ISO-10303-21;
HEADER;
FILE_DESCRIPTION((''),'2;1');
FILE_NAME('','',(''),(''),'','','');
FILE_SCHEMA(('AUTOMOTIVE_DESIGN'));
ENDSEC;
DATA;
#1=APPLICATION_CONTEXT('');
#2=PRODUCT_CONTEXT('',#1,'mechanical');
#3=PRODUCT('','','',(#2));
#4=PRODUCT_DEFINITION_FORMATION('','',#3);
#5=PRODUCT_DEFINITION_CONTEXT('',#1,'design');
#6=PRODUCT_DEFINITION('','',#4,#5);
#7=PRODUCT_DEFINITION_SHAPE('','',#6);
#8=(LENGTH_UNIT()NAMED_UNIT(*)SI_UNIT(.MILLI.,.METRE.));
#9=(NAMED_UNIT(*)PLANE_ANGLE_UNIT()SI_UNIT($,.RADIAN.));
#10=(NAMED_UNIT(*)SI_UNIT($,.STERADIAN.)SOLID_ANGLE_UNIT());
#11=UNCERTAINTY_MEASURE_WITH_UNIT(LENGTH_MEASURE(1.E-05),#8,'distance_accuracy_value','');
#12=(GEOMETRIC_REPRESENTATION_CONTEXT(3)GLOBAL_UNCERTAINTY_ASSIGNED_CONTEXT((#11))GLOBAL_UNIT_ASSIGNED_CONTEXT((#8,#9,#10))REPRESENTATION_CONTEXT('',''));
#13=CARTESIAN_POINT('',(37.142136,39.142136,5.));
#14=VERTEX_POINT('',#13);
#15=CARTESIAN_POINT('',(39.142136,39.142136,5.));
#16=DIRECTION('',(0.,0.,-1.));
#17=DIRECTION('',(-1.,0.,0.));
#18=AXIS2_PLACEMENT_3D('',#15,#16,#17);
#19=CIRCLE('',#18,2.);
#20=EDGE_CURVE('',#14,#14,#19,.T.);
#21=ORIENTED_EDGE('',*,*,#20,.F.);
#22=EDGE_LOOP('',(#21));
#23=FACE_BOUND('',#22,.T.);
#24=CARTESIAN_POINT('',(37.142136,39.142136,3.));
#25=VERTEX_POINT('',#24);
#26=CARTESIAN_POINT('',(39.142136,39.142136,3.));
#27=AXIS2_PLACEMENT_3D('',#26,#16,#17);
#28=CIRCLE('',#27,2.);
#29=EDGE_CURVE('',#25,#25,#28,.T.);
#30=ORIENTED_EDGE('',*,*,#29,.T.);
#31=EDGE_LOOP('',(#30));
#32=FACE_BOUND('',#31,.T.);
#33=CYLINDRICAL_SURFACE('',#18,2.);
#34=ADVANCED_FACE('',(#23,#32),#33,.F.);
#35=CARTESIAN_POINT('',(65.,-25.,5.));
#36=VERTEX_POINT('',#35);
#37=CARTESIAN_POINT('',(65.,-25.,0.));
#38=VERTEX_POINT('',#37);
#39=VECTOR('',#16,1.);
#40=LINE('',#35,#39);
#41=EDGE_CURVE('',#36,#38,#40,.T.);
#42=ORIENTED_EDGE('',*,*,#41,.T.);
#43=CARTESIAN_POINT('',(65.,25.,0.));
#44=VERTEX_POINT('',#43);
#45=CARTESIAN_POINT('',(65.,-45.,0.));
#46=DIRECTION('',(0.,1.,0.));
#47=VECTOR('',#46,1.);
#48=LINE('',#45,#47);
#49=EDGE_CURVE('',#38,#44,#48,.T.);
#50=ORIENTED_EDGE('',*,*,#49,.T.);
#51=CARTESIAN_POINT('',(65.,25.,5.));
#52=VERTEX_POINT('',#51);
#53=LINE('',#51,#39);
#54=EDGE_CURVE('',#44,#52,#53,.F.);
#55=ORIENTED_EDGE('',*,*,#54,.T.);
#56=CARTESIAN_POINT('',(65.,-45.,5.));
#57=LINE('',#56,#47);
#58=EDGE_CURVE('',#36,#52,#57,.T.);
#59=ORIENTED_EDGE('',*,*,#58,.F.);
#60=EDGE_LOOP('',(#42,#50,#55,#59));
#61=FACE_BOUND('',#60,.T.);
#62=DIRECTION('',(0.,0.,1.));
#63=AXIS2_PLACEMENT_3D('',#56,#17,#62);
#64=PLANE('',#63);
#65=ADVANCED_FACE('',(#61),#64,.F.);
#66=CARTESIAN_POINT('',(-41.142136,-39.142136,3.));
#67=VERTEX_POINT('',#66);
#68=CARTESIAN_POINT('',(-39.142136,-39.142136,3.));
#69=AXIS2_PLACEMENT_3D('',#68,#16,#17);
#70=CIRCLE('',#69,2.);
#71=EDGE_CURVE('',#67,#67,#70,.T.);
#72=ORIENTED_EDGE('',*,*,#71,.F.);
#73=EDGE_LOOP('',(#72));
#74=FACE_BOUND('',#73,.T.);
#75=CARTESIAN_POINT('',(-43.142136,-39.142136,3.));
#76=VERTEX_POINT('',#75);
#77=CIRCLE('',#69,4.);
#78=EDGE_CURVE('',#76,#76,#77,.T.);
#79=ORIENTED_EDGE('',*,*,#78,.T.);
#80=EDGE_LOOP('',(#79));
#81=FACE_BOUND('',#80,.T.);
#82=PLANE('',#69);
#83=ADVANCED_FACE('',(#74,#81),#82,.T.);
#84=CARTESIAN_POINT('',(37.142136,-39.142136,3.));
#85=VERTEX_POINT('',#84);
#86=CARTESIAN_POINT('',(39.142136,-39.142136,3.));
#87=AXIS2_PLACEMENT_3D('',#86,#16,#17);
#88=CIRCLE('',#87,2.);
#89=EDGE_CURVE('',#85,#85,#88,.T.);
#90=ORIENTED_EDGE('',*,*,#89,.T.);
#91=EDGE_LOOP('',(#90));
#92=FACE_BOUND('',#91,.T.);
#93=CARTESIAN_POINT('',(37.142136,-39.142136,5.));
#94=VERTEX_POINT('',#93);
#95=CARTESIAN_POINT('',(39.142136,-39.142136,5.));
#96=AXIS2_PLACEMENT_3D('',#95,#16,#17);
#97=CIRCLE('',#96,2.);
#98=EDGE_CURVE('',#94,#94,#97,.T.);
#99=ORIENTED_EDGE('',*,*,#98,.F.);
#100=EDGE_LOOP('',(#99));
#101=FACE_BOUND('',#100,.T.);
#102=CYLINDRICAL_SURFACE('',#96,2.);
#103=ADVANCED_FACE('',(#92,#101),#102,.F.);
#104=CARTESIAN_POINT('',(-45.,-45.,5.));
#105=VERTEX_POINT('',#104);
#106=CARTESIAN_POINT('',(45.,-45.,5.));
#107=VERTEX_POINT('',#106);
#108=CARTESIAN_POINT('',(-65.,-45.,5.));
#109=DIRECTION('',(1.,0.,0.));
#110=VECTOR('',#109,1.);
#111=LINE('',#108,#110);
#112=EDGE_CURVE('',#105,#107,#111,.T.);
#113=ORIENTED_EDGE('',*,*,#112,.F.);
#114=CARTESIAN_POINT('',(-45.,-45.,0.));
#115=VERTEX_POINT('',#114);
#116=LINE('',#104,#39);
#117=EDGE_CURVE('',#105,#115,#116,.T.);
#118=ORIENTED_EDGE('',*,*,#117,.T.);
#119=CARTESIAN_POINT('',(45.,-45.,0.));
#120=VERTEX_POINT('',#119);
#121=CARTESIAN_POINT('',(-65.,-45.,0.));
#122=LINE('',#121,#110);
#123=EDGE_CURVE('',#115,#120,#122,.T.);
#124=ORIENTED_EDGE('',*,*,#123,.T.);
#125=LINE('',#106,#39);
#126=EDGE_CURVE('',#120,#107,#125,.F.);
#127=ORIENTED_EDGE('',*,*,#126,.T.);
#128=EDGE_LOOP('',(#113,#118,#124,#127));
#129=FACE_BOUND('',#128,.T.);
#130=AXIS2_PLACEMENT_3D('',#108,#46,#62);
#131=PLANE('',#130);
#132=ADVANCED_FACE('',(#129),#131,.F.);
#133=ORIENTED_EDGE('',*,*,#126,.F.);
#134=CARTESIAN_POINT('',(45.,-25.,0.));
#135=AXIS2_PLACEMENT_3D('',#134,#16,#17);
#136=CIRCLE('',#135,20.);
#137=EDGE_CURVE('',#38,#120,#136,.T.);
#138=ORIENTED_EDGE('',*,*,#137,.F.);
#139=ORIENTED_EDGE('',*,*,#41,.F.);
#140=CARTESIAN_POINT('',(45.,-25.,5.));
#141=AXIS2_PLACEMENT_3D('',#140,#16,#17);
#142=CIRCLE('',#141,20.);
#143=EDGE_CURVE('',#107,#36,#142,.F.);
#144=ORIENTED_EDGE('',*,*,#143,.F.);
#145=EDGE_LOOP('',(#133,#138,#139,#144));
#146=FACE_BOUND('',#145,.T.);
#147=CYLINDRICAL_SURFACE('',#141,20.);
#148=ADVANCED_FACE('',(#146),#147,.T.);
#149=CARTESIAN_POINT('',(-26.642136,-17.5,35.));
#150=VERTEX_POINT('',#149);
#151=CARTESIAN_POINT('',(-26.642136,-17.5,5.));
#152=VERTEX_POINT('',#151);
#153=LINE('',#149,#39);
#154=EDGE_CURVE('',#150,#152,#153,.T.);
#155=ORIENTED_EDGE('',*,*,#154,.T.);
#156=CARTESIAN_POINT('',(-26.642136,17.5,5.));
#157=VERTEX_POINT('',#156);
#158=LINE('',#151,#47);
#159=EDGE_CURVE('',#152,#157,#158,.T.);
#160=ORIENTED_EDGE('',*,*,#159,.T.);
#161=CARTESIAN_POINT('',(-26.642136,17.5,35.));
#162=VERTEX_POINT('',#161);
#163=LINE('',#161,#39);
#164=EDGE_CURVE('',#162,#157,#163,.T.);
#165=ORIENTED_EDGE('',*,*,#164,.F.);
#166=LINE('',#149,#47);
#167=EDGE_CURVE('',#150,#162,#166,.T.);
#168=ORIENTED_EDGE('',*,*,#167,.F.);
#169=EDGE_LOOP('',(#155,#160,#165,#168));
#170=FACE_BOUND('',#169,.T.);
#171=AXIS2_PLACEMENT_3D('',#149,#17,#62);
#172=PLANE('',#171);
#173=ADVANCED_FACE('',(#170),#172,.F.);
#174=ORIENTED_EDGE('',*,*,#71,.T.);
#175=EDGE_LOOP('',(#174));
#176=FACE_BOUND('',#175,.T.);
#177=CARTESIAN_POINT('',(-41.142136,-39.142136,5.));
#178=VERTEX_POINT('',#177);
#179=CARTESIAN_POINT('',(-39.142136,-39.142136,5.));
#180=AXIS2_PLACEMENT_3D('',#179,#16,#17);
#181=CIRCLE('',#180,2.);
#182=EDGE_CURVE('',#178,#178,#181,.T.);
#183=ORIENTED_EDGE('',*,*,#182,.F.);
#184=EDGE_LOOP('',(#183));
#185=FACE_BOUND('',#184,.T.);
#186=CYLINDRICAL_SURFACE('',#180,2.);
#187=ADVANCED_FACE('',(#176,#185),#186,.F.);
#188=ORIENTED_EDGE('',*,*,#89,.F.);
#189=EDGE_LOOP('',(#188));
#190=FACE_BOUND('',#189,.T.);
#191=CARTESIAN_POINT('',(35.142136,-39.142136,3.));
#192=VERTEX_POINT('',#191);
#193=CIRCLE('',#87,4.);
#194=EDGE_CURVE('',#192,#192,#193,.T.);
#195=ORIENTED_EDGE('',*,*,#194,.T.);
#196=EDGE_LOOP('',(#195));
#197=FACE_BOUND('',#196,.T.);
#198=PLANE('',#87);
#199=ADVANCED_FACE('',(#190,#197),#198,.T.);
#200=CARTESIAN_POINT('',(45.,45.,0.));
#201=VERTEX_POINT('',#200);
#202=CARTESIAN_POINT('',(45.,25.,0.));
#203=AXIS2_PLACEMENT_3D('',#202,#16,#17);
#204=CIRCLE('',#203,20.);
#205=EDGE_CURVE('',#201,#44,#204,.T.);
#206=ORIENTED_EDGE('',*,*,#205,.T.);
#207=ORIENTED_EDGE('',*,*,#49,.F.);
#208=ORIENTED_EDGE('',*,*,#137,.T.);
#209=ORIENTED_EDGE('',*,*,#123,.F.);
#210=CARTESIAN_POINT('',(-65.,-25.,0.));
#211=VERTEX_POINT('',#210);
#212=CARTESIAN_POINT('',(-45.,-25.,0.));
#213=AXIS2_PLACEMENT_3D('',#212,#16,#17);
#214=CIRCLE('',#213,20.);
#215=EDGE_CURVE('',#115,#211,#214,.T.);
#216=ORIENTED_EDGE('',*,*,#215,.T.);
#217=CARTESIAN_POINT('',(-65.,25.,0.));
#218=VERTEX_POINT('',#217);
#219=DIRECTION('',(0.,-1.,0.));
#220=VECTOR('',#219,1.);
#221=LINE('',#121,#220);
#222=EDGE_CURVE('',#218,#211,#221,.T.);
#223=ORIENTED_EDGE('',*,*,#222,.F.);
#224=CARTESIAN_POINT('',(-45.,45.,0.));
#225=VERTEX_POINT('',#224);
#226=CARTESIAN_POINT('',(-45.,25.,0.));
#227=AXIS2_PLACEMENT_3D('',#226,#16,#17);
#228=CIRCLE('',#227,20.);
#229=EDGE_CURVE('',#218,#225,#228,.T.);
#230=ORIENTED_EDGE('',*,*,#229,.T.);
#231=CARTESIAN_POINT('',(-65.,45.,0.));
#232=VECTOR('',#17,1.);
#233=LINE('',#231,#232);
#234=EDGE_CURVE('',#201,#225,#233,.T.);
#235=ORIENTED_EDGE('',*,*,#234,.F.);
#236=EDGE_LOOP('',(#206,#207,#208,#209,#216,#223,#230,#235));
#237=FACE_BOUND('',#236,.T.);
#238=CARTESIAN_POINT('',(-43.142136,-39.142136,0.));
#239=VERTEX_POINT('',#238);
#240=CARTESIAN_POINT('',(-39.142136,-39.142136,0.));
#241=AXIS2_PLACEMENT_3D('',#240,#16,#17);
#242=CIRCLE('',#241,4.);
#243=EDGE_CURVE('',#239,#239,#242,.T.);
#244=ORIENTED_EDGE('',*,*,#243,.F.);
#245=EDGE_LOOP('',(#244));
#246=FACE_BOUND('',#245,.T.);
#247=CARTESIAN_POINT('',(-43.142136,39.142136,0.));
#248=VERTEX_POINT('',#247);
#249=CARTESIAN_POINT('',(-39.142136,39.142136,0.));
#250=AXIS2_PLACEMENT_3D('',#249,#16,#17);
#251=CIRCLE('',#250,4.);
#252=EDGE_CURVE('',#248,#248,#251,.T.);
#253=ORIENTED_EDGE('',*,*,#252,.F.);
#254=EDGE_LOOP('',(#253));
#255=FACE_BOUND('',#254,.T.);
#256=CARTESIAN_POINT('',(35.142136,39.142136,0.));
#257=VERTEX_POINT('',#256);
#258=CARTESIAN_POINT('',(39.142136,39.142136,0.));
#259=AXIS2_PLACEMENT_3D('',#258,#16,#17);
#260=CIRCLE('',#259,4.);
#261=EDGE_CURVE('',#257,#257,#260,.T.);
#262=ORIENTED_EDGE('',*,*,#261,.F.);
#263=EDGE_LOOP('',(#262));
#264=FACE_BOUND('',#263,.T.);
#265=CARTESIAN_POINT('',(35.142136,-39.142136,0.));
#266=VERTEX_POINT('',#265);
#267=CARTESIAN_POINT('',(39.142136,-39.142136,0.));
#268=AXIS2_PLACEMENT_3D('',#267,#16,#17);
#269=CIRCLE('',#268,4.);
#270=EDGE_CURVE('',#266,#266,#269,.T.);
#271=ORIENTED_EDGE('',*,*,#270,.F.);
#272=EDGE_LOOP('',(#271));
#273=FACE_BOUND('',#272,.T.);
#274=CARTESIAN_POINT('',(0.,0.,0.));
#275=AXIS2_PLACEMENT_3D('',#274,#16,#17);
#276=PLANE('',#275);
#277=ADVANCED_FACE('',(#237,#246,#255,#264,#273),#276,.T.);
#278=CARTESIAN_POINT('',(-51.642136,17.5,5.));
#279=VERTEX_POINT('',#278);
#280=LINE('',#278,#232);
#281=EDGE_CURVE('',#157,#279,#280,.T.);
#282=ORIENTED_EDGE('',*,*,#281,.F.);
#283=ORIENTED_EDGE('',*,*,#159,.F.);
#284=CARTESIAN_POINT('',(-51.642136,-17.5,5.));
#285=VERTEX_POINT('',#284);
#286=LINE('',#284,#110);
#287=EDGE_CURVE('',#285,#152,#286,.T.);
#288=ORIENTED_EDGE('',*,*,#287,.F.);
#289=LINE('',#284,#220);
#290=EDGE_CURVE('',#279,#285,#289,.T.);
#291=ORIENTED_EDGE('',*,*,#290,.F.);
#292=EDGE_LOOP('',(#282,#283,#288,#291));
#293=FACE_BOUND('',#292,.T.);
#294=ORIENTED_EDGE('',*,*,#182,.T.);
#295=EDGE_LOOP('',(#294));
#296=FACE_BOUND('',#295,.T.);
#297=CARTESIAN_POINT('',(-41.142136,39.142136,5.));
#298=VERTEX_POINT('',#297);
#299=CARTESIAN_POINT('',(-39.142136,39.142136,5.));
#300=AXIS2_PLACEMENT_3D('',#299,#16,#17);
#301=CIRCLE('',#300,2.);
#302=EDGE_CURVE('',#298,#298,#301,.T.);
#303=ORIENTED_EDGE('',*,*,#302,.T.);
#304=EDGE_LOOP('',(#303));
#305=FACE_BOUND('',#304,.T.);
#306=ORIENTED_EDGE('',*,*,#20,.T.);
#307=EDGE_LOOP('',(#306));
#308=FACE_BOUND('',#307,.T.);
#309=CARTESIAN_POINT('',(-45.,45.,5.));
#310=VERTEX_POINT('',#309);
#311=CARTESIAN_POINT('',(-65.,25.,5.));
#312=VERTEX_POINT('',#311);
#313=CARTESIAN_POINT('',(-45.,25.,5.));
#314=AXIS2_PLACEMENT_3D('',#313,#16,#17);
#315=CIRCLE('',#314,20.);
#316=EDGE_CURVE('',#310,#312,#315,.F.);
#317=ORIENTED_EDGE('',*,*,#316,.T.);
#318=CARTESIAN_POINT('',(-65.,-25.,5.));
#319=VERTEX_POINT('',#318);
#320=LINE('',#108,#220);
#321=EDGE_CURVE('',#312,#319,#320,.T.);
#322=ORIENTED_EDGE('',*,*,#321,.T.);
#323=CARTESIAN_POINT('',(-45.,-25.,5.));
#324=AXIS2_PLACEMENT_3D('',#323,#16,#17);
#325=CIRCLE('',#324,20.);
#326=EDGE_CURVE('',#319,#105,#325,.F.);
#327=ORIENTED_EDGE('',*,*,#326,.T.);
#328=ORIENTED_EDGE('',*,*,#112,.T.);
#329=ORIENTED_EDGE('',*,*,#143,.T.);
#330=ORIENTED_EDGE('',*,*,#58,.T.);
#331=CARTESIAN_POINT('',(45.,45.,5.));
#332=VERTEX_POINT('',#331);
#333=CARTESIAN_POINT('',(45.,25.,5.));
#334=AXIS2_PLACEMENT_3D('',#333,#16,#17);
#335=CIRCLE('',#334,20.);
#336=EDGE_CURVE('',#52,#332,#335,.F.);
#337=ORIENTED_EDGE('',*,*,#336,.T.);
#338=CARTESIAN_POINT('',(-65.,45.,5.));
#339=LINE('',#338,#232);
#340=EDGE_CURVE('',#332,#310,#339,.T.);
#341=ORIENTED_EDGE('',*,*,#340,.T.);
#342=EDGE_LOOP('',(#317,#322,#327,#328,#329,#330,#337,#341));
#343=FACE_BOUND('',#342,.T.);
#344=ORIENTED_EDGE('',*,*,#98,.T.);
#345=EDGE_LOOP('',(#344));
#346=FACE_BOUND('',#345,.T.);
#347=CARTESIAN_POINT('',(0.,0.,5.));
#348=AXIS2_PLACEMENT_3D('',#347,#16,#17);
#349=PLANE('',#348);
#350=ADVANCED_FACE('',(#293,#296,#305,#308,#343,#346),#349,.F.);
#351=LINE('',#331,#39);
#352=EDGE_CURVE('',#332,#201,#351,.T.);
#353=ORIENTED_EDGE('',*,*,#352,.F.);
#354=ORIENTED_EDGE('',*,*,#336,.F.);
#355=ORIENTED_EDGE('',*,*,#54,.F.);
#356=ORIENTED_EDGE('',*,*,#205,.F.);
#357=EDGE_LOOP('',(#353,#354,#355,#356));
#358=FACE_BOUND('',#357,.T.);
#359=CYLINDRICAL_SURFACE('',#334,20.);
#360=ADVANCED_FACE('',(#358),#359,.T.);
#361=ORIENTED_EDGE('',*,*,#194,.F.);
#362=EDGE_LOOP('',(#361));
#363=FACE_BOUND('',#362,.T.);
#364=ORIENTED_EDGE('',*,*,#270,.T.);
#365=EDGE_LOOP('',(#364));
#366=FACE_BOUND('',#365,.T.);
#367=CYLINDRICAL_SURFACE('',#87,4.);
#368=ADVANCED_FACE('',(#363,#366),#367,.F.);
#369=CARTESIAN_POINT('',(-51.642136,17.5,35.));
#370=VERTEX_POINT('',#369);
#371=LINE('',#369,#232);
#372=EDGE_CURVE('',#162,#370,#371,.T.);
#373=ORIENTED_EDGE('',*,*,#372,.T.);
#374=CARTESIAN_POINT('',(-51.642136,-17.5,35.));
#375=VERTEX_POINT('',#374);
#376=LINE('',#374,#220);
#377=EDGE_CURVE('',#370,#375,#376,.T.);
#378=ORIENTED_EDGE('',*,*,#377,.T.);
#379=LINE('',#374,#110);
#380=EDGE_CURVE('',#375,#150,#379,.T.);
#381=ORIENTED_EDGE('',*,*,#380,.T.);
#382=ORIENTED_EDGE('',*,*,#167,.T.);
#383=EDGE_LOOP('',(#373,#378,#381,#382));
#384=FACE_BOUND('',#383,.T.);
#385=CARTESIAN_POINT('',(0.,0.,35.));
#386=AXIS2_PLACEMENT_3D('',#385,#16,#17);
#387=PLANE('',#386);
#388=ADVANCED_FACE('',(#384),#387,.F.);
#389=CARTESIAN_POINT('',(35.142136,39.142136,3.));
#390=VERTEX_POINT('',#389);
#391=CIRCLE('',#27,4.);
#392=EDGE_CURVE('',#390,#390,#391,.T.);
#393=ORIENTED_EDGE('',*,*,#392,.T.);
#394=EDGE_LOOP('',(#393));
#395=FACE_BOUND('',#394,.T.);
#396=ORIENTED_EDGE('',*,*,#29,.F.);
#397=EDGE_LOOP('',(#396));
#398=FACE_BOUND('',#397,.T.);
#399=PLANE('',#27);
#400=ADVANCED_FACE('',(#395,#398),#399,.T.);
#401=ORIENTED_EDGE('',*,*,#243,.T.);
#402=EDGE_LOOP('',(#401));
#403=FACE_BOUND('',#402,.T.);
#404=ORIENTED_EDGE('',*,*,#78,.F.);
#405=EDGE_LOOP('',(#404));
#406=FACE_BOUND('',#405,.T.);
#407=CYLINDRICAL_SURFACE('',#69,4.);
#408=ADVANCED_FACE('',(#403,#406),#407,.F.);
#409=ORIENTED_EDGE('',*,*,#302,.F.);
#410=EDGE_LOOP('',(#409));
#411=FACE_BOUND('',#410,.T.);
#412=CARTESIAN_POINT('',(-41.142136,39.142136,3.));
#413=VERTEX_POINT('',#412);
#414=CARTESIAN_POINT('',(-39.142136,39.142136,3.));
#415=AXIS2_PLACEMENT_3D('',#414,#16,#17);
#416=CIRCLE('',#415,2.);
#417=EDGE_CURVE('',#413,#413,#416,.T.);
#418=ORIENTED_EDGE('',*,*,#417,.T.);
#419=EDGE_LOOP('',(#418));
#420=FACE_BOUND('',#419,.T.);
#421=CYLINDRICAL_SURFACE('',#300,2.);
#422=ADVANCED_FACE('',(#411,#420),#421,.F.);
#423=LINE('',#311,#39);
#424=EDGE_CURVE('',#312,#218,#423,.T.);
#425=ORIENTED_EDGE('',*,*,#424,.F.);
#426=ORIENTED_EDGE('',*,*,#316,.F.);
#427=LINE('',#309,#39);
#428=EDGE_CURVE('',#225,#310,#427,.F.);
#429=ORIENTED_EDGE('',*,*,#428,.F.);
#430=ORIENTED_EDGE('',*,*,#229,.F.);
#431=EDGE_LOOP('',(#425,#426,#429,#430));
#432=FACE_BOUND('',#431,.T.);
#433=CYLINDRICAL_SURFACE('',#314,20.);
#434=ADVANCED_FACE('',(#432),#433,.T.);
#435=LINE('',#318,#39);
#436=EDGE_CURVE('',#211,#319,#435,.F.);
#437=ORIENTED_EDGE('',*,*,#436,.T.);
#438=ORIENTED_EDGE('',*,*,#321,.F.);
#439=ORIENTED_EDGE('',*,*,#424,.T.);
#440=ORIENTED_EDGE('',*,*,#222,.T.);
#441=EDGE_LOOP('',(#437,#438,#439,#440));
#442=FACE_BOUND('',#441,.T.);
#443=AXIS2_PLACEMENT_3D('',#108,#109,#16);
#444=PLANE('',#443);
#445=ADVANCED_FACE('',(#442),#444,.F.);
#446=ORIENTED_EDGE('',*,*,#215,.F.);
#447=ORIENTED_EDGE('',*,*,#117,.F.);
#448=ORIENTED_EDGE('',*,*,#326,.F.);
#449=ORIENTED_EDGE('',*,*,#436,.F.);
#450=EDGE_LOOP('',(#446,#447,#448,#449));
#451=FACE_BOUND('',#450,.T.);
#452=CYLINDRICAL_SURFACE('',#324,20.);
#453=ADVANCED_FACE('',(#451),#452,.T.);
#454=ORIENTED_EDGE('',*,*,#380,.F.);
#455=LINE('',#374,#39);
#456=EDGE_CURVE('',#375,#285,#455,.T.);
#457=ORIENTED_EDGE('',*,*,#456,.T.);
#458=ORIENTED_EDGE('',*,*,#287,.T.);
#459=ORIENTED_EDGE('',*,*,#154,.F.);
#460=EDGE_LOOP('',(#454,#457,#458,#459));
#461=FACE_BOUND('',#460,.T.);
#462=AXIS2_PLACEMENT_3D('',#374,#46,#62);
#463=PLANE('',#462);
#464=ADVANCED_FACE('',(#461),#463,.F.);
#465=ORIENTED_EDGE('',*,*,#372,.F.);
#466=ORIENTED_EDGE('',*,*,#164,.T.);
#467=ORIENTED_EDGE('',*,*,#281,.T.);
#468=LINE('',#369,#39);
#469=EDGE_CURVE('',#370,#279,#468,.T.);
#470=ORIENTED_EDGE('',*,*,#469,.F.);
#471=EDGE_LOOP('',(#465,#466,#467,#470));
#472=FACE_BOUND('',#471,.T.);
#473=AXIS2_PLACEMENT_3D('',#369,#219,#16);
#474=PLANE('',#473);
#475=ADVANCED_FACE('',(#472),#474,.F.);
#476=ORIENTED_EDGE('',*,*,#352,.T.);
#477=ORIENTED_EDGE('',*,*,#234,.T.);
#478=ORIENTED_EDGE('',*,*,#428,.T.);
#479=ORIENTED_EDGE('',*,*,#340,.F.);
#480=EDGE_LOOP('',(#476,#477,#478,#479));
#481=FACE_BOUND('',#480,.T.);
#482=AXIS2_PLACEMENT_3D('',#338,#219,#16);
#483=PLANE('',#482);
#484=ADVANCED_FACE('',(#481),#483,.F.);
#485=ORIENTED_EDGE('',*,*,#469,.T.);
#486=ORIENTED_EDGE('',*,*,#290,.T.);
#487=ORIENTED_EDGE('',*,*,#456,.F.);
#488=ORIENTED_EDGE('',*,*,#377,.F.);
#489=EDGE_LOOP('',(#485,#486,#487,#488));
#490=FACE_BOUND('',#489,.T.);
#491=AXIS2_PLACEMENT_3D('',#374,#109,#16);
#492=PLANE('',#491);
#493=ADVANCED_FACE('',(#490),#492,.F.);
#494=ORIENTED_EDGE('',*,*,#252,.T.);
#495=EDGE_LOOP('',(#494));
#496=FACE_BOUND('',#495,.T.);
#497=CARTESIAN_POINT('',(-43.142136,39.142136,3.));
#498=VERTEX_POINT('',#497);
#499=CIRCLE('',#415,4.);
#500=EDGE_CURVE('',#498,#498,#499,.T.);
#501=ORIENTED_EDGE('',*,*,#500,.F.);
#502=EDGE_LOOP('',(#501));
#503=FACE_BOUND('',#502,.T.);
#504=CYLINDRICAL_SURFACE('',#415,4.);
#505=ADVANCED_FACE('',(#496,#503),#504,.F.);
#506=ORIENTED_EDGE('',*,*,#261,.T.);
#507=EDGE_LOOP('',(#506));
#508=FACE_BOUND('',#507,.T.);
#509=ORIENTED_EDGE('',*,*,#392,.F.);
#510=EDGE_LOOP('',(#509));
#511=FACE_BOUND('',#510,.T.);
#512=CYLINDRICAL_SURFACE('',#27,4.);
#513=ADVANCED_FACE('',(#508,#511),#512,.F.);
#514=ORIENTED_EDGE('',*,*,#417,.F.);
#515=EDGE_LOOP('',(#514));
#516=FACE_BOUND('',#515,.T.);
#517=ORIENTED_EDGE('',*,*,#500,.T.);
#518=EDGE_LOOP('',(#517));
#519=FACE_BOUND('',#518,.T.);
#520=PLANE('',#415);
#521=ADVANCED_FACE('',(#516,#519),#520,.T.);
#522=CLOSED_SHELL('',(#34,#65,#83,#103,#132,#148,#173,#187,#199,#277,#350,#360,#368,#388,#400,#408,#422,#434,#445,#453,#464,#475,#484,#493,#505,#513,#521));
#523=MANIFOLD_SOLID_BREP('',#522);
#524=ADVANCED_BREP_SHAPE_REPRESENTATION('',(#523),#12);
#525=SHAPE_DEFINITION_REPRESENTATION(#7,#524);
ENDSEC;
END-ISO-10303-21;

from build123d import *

# Parameters (mm, degrees)
SKETCH1_W           = 130
SKETCH1_H           = 90
BOSS_EXTRUDE1_DEPTH = 5
FILLET1_R           = 20
SKETCH2_R           = 4
CUT_EXTRUDE1_DEPTH  = 3
SKETCH3_R           = 2
CUT_EXTRUDE2_DEPTH  = 6
SKETCH4_W           = 25
SKETCH4_H           = 35
BOSS_EXTRUDE2_DEPTH = 30


with BuildPart() as part:
    # Sketch1 → Boss-Extrude1 (new body)
    with BuildSketch(Plane.XY):
        Rectangle(SKETCH1_W, SKETCH1_H)
    extrude(amount=BOSS_EXTRUDE1_DEPTH)

    # Fillet1
    fillet1_edges = [part.edges().sort_by_distance(p)[0] for p in [
        (65, -45, 2.5),
        (-65, -45, 2.5),
        (-65, 45, 2.5),
        (65, 45, 2.5),
    ]]
    fillet(fillet1_edges, radius=FILLET1_R)

    # Sketch2 → Cut-Extrude1 (cut)
    with BuildSketch(Plane(origin=(0, 0, 0), x_dir=(-1, 0, 0), z_dir=(0, 0, -1))):
        with Locations((-39.142135624, 39.142135624)):
            Circle(SKETCH2_R)
        with Locations((39.142135624, 39.142135624)):
            Circle(SKETCH2_R)
        with Locations((-39.142135624, -39.142135624)):
            Circle(SKETCH2_R)
        with Locations((39.142135624, -39.142135624)):
            Circle(SKETCH2_R)
    extrude(amount=-CUT_EXTRUDE1_DEPTH, mode=Mode.SUBTRACT)

    # Sketch3 → Cut-Extrude2 (cut, through all)
    with BuildSketch(Plane(origin=(0, 0, 0), x_dir=(-1, 0, 0), z_dir=(0, 0, -1))):
        with Locations((-39.142135624, 39.142135624)):
            Circle(SKETCH3_R)
        with Locations((39.142135624, 39.142135624)):
            Circle(SKETCH3_R)
        with Locations((39.142135624, -39.142135624)):
            Circle(SKETCH3_R)
        with Locations((-39.142135624, -39.142135624)):
            Circle(SKETCH3_R)
    extrude(amount=-CUT_EXTRUDE2_DEPTH, mode=Mode.SUBTRACT)

    # Sketch4 → Boss-Extrude2 (add)
    with BuildSketch(Plane.XY.offset(5)):
        with Locations((-39.142135624, 0)):
            Rectangle(SKETCH4_W, SKETCH4_H)
    extrude(amount=BOSS_EXTRUDE2_DEPTH)


solid = part.part
